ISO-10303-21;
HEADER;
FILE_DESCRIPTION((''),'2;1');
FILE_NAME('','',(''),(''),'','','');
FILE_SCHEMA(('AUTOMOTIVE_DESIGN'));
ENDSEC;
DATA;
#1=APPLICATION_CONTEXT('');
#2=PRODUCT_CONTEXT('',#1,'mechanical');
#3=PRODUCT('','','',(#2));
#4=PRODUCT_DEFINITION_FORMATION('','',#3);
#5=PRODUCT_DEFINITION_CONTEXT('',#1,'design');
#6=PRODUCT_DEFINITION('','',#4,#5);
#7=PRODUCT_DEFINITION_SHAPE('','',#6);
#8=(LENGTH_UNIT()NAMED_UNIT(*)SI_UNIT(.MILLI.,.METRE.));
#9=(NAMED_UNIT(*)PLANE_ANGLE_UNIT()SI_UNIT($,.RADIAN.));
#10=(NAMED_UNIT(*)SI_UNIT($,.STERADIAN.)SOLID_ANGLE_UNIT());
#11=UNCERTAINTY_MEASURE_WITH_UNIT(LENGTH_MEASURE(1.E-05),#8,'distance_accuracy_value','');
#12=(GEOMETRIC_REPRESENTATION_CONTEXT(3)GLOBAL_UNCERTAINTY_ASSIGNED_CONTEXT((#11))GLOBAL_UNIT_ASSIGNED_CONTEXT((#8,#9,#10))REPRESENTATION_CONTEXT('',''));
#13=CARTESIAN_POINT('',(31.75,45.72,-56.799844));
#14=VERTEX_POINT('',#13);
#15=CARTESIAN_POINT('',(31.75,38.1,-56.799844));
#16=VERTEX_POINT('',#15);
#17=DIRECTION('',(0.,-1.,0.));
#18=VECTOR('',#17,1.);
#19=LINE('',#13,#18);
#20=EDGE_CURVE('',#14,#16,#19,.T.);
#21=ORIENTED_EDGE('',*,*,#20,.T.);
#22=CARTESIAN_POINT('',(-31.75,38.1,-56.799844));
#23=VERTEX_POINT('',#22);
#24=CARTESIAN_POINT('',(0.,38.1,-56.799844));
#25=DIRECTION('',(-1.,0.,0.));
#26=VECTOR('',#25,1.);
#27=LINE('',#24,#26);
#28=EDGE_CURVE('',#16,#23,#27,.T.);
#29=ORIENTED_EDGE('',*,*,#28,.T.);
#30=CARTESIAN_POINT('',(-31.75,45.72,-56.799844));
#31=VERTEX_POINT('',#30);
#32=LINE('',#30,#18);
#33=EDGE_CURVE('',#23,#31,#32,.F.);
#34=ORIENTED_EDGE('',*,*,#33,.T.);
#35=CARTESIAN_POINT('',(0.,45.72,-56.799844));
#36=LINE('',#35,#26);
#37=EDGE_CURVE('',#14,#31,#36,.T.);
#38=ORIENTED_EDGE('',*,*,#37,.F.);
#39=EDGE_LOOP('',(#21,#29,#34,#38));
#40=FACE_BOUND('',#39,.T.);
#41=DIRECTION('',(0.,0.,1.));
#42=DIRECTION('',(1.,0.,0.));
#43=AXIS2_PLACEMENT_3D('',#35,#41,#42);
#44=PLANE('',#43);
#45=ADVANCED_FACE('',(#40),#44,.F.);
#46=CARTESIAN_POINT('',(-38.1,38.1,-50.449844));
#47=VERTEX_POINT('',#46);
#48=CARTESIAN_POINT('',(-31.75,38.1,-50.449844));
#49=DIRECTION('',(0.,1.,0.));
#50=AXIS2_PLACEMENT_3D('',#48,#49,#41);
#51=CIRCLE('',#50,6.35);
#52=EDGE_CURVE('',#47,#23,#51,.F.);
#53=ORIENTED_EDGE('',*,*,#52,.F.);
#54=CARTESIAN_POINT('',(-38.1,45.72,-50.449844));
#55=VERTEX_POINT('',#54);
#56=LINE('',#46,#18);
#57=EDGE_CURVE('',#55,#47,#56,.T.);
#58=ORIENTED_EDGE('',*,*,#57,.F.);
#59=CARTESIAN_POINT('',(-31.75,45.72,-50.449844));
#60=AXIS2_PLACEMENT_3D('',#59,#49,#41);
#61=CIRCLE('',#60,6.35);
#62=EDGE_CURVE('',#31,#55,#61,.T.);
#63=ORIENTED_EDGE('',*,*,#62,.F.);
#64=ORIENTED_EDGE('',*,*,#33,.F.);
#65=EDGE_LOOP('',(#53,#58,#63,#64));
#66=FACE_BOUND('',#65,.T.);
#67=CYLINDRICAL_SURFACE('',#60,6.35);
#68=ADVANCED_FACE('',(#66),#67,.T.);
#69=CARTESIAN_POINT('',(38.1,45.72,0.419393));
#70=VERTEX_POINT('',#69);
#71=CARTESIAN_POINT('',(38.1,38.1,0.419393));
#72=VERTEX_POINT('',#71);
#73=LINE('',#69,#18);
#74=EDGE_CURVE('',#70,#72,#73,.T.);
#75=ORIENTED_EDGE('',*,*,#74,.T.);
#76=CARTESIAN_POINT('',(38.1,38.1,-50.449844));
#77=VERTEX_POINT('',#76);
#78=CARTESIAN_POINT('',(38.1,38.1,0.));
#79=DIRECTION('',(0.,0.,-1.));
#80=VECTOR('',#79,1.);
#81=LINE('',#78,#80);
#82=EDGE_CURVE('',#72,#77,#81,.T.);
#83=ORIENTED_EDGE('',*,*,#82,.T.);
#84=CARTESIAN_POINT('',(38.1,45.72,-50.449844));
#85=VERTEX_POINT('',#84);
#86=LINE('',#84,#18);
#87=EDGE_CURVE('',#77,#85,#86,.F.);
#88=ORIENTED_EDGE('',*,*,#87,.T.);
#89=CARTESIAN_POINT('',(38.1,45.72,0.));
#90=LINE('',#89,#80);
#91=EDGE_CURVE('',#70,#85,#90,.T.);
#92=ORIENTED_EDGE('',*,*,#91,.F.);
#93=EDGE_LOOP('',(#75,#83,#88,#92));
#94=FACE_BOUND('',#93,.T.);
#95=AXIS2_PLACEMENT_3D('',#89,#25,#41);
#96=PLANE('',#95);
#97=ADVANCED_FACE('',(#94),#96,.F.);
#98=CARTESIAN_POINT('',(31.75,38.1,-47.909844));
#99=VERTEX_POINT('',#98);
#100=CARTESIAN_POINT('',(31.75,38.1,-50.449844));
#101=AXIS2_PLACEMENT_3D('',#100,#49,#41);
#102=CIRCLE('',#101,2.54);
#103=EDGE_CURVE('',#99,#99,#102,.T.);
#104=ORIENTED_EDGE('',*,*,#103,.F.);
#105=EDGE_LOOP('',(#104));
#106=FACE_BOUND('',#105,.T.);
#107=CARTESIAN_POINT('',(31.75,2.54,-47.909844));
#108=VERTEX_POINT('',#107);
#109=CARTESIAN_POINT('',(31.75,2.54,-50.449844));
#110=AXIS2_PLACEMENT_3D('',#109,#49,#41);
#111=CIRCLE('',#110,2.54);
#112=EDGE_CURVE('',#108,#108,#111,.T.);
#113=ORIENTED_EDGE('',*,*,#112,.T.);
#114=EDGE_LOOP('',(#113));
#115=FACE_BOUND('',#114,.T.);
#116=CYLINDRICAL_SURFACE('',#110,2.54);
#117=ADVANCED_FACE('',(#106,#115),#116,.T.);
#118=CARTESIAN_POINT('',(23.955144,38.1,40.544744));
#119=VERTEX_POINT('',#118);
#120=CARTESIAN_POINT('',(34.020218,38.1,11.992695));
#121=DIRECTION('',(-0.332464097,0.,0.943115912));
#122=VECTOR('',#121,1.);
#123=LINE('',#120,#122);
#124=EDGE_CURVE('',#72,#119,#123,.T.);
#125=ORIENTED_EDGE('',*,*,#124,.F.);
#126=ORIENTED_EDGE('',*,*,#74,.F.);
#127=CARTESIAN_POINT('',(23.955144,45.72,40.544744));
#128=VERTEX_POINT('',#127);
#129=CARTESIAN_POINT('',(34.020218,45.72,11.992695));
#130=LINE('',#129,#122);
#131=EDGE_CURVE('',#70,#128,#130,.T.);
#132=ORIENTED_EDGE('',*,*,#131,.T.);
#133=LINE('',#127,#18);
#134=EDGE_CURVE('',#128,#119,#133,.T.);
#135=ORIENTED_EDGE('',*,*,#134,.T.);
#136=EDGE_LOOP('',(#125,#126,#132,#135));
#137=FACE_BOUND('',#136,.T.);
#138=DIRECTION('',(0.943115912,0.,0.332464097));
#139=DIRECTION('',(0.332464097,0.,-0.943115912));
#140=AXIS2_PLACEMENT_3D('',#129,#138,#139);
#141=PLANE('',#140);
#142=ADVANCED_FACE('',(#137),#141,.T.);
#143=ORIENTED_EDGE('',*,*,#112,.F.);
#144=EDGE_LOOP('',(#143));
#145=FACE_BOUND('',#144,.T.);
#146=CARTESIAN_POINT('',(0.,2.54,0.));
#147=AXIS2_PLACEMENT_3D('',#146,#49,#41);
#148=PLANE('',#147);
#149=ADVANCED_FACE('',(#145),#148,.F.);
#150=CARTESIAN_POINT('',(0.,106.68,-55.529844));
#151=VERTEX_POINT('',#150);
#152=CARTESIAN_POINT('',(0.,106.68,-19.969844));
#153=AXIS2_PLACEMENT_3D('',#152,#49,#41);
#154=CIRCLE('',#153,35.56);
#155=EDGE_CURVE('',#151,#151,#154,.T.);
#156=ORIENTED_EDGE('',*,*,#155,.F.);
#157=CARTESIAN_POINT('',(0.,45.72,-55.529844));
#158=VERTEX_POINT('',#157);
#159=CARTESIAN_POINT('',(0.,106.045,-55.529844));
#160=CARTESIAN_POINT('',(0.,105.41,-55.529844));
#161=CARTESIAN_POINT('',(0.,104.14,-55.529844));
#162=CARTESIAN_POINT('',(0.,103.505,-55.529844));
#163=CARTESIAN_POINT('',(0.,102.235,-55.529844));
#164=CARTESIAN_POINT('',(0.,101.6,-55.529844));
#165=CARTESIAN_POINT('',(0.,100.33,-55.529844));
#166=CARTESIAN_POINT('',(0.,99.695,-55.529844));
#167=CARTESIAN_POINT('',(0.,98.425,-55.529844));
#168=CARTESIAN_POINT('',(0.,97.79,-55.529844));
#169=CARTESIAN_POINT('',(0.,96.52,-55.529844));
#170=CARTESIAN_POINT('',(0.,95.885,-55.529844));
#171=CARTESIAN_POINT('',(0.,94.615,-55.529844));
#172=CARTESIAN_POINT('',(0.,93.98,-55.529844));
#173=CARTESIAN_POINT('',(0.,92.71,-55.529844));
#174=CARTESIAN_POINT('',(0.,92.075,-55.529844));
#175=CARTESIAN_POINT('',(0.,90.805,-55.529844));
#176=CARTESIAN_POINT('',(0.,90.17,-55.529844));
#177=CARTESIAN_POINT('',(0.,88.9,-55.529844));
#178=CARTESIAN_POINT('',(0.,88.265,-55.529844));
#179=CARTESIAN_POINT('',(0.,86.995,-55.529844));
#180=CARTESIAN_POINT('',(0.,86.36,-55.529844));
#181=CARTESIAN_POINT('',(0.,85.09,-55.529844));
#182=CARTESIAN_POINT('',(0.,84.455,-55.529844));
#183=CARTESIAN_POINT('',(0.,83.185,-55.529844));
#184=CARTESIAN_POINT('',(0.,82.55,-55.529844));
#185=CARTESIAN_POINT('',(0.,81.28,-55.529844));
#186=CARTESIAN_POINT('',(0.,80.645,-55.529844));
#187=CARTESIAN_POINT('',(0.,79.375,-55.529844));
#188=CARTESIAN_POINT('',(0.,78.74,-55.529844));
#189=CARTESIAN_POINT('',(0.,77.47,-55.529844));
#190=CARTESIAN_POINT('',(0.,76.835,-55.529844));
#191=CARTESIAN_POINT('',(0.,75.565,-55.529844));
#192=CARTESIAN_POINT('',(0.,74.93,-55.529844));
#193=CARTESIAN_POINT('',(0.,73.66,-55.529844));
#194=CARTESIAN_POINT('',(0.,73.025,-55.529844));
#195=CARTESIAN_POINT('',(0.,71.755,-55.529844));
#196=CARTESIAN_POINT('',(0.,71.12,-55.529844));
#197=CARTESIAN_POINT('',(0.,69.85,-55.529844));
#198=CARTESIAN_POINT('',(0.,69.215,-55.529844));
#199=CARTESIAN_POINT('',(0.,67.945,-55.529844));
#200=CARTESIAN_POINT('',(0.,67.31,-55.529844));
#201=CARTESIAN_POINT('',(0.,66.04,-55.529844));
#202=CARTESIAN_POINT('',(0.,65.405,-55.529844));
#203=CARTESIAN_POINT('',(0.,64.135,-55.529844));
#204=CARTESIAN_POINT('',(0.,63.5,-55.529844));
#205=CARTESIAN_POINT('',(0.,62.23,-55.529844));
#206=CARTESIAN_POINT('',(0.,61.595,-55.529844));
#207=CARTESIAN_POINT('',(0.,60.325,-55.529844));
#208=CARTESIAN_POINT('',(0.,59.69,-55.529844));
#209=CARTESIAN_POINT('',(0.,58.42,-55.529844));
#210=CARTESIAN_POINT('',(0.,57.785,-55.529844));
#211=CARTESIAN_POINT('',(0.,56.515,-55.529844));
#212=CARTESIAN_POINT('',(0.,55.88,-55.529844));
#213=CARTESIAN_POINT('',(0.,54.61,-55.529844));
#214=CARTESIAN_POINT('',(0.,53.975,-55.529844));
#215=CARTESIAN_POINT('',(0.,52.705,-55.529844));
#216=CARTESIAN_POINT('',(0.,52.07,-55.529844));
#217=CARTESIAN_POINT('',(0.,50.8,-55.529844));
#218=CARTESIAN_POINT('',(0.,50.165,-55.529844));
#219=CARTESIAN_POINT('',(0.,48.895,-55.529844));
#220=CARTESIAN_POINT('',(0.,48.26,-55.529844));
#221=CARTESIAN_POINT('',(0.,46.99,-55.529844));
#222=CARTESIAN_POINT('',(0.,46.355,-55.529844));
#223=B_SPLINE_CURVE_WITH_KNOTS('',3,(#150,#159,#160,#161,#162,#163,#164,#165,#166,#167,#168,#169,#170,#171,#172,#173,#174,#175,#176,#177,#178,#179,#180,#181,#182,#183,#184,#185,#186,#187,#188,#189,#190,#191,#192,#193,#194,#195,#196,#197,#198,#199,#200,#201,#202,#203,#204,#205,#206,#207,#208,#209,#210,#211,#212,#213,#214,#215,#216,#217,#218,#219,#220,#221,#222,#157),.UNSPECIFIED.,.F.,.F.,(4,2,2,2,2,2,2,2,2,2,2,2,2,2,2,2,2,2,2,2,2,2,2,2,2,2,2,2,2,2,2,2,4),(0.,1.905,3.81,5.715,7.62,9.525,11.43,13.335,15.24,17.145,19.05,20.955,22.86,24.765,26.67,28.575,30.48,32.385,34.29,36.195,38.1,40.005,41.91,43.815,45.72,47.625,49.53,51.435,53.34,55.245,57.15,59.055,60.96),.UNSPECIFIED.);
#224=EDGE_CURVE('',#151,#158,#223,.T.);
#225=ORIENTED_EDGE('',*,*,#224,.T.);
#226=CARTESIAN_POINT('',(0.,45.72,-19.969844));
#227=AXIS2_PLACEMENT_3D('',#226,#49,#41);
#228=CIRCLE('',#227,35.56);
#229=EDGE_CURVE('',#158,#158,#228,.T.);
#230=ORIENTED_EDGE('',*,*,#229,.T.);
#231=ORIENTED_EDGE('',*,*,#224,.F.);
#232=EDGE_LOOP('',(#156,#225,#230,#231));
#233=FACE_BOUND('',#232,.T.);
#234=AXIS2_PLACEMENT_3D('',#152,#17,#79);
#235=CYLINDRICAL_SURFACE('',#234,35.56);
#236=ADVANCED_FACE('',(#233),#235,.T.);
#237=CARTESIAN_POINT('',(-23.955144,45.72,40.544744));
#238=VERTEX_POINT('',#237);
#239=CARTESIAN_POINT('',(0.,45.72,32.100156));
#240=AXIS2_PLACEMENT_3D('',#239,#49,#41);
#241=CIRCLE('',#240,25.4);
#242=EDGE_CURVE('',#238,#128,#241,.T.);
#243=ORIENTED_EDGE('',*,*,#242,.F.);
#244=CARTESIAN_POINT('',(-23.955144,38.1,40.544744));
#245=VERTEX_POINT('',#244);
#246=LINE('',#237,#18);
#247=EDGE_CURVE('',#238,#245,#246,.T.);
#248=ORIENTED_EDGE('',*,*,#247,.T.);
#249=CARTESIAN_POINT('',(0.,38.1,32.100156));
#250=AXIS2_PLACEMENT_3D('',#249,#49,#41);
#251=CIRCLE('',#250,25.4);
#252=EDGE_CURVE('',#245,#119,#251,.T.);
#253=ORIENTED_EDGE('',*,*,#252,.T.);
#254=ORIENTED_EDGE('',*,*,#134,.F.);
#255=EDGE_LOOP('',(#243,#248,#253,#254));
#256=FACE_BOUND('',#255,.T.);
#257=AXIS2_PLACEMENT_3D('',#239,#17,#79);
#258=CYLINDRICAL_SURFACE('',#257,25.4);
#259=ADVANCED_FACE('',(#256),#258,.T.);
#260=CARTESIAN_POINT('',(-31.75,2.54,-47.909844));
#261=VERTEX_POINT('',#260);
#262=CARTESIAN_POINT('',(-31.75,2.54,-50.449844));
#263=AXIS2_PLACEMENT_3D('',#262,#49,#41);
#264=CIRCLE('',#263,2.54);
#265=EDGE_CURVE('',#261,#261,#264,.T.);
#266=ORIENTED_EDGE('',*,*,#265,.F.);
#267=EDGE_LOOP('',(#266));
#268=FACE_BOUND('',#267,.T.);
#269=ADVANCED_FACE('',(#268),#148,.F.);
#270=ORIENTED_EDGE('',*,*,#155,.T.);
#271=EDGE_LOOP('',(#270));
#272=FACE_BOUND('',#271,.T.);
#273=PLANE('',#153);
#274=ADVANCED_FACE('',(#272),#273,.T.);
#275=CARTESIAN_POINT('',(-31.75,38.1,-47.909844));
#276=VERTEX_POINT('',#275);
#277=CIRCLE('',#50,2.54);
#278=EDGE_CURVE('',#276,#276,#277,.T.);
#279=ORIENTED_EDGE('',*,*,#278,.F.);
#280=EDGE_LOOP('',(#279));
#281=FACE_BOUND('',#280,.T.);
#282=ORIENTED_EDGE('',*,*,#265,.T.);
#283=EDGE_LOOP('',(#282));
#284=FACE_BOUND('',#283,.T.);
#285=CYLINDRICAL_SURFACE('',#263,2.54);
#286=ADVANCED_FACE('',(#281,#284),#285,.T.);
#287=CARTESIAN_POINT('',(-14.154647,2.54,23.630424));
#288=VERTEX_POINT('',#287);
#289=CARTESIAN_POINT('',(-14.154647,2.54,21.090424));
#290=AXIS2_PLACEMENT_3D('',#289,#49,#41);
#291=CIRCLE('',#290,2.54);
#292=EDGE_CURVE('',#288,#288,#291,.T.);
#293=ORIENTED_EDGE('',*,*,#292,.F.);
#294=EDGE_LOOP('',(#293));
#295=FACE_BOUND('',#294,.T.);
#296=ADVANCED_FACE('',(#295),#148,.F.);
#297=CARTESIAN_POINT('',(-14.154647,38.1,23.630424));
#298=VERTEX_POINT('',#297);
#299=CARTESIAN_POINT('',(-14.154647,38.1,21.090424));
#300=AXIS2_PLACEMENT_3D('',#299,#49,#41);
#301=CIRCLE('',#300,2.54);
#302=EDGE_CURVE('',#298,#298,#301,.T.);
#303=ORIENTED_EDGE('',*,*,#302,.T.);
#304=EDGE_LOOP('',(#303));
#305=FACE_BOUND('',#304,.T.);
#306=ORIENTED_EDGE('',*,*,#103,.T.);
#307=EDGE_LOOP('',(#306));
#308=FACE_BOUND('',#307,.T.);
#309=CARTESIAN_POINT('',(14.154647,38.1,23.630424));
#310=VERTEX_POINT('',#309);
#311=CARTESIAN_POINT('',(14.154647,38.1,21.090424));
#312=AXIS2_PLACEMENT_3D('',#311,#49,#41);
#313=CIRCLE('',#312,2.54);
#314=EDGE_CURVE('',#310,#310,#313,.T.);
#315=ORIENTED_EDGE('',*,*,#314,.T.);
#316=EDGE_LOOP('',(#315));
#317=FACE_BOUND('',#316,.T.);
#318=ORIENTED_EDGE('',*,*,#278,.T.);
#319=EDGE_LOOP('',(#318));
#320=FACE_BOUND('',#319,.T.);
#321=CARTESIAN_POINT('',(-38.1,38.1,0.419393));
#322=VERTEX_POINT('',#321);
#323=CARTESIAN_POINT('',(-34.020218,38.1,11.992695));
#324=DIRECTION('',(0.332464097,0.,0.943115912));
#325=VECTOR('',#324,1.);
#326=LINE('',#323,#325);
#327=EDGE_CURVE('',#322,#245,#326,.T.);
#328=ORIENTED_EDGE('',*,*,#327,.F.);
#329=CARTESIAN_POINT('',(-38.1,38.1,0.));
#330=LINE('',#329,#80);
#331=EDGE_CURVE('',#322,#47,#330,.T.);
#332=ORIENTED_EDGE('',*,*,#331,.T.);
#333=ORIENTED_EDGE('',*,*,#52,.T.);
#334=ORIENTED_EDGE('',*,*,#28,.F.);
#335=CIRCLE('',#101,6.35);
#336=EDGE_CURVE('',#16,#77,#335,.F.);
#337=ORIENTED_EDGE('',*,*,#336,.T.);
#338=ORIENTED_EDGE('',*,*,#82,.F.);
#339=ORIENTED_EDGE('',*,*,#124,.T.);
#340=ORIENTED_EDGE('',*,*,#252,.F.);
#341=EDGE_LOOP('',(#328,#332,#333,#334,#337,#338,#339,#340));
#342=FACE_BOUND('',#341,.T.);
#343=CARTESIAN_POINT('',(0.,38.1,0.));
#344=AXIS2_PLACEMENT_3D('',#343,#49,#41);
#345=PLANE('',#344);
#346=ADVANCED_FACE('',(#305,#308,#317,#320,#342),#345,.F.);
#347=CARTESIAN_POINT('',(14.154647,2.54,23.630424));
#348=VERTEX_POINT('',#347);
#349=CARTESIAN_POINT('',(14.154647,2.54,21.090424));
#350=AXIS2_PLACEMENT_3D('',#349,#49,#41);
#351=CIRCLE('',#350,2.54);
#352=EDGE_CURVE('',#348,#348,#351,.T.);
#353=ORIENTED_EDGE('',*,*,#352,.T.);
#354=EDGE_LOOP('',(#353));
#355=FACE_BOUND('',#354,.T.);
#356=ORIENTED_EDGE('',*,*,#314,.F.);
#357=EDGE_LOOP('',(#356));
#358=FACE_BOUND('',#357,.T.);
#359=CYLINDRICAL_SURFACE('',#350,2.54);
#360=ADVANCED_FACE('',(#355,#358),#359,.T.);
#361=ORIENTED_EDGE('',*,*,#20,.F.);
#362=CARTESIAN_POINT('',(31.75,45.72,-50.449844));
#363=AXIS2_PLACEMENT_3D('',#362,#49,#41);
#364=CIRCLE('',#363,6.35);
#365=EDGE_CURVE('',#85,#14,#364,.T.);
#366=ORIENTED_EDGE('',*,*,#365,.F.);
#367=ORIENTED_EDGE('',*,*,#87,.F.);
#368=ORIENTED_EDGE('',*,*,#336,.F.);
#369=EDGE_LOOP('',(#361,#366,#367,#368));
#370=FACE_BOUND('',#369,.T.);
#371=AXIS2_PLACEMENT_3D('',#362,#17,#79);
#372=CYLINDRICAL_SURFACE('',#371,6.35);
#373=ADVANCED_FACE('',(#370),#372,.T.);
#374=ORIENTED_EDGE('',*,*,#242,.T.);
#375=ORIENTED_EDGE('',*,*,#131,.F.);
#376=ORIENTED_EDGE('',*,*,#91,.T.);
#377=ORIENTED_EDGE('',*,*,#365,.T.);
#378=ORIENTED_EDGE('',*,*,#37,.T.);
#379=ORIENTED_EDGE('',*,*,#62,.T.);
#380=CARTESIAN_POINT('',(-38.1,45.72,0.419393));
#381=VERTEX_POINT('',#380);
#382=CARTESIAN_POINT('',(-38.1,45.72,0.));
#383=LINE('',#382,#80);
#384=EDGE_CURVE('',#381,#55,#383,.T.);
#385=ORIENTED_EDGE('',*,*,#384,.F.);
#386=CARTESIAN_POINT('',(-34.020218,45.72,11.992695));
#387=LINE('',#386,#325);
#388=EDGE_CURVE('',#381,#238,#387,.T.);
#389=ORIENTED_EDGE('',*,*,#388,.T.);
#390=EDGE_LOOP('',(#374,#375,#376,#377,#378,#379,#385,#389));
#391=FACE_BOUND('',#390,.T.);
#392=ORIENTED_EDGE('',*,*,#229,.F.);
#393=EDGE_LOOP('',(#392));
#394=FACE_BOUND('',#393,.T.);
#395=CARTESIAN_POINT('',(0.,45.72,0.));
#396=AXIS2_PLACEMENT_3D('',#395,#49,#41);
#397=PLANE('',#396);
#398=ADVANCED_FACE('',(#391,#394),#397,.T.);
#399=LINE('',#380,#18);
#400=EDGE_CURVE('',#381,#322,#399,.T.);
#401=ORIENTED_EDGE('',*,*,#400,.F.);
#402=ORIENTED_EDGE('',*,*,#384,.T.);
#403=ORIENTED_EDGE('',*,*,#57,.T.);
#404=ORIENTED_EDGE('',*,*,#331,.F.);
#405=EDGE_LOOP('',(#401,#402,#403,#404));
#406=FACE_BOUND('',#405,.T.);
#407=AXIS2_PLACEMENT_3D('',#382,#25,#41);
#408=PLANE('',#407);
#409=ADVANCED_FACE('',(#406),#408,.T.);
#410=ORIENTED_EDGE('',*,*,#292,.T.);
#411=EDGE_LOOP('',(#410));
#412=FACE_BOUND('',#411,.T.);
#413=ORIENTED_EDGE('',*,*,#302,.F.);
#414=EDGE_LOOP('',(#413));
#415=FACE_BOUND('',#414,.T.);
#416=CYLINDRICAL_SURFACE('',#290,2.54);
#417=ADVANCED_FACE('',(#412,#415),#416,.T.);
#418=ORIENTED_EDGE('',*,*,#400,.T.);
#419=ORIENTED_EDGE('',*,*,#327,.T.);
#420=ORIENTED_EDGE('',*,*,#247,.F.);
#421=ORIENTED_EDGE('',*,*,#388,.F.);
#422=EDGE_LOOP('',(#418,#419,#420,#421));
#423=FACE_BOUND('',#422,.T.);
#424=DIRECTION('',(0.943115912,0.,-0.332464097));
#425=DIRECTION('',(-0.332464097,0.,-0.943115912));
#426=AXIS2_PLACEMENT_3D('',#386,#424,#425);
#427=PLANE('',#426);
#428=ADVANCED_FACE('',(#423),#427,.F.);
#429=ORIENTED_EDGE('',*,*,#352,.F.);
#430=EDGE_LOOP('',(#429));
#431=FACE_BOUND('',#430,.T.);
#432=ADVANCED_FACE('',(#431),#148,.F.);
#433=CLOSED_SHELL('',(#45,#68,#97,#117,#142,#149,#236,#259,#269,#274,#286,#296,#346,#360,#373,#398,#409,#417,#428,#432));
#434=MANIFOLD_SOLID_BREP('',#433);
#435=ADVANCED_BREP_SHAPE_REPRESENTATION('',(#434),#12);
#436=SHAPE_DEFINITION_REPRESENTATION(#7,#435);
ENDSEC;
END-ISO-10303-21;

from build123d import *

# Parameters (mm, degrees)
BOSS_EXTRUDE1_START = 38.1
BOSS_EXTRUDE1_DEPTH = 7.62
FILLET1_R           = 6.35
SKETCH3_R           = 2.54
BOSS_EXTRUDE2_DEPTH = 43.18
SKETCH4_R           = 35.56
BOSS_EXTRUDE3_DEPTH = 60.96


with BuildPart() as part:
    # Sketch1 → Boss-Extrude1 (new body)
    with BuildSketch(Plane(origin=(0, 0, 0), x_dir=(1, 0, 0), z_dir=(0, 1, 0)).offset(BOSS_EXTRUDE1_START)):
        with BuildLine():
            Line((-38.1, -0.419392835), (-23.955144175, -40.544743901))
            ThreePointArc((-23.955144175, -40.544743901), (0, -57.500155839), (23.955144175, -40.544743901))
            Line((23.955144175, -40.544743901), (38.1, -0.419392835))
            Line((38.1, -0.419392835), (38.1, 56.799844161))
            Line((38.1, 56.799844161), (-38.1, 56.799844161))
            Line((-38.1, 56.799844161), (-38.1, -0.419392835))
        make_face()
    extrude(amount=BOSS_EXTRUDE1_DEPTH)

    # Fillet1
    fillet1_edges = [part.edges().sort_by_distance(p)[0] for p in [
        (-38.1, 41.91, -56.799844161),
        (38.1, 41.91, -56.799844161),
    ]]
    fillet(fillet1_edges, radius=FILLET1_R)

    # Sketch3 → Boss-Extrude2 (add)
    with BuildSketch(Plane(origin=(0, 45.72, 0), x_dir=(1, 0, 0), z_dir=(0, 1, 0))):
        with Locations(Location((-31.75, 50.449844161, 0), (0, 0, 270))):
            Circle(SKETCH3_R)
        with Locations(Location((31.75, 50.449844161, 0), (0, 0, 270))):
            Circle(SKETCH3_R)
        with Locations(Location((-14.154646808, -21.090423745, 0), (0, 0, 270))):
            Circle(SKETCH3_R)
        with Locations(Location((14.154646808, -21.090423745, 0), (0, 0, 270))):
            Circle(SKETCH3_R)
    extrude(amount=-BOSS_EXTRUDE2_DEPTH)

    # Sketch4 → Boss-Extrude3 (add)
    with BuildSketch(Plane(origin=(0, 45.72, 0), x_dir=(1, 0, 0), z_dir=(0, 1, 0))):
        with Locations(Location((0, 19.969844161, 0), (0, 0, 90))):
            Circle(SKETCH4_R)
    extrude(amount=BOSS_EXTRUDE3_DEPTH)


solid = part.part
